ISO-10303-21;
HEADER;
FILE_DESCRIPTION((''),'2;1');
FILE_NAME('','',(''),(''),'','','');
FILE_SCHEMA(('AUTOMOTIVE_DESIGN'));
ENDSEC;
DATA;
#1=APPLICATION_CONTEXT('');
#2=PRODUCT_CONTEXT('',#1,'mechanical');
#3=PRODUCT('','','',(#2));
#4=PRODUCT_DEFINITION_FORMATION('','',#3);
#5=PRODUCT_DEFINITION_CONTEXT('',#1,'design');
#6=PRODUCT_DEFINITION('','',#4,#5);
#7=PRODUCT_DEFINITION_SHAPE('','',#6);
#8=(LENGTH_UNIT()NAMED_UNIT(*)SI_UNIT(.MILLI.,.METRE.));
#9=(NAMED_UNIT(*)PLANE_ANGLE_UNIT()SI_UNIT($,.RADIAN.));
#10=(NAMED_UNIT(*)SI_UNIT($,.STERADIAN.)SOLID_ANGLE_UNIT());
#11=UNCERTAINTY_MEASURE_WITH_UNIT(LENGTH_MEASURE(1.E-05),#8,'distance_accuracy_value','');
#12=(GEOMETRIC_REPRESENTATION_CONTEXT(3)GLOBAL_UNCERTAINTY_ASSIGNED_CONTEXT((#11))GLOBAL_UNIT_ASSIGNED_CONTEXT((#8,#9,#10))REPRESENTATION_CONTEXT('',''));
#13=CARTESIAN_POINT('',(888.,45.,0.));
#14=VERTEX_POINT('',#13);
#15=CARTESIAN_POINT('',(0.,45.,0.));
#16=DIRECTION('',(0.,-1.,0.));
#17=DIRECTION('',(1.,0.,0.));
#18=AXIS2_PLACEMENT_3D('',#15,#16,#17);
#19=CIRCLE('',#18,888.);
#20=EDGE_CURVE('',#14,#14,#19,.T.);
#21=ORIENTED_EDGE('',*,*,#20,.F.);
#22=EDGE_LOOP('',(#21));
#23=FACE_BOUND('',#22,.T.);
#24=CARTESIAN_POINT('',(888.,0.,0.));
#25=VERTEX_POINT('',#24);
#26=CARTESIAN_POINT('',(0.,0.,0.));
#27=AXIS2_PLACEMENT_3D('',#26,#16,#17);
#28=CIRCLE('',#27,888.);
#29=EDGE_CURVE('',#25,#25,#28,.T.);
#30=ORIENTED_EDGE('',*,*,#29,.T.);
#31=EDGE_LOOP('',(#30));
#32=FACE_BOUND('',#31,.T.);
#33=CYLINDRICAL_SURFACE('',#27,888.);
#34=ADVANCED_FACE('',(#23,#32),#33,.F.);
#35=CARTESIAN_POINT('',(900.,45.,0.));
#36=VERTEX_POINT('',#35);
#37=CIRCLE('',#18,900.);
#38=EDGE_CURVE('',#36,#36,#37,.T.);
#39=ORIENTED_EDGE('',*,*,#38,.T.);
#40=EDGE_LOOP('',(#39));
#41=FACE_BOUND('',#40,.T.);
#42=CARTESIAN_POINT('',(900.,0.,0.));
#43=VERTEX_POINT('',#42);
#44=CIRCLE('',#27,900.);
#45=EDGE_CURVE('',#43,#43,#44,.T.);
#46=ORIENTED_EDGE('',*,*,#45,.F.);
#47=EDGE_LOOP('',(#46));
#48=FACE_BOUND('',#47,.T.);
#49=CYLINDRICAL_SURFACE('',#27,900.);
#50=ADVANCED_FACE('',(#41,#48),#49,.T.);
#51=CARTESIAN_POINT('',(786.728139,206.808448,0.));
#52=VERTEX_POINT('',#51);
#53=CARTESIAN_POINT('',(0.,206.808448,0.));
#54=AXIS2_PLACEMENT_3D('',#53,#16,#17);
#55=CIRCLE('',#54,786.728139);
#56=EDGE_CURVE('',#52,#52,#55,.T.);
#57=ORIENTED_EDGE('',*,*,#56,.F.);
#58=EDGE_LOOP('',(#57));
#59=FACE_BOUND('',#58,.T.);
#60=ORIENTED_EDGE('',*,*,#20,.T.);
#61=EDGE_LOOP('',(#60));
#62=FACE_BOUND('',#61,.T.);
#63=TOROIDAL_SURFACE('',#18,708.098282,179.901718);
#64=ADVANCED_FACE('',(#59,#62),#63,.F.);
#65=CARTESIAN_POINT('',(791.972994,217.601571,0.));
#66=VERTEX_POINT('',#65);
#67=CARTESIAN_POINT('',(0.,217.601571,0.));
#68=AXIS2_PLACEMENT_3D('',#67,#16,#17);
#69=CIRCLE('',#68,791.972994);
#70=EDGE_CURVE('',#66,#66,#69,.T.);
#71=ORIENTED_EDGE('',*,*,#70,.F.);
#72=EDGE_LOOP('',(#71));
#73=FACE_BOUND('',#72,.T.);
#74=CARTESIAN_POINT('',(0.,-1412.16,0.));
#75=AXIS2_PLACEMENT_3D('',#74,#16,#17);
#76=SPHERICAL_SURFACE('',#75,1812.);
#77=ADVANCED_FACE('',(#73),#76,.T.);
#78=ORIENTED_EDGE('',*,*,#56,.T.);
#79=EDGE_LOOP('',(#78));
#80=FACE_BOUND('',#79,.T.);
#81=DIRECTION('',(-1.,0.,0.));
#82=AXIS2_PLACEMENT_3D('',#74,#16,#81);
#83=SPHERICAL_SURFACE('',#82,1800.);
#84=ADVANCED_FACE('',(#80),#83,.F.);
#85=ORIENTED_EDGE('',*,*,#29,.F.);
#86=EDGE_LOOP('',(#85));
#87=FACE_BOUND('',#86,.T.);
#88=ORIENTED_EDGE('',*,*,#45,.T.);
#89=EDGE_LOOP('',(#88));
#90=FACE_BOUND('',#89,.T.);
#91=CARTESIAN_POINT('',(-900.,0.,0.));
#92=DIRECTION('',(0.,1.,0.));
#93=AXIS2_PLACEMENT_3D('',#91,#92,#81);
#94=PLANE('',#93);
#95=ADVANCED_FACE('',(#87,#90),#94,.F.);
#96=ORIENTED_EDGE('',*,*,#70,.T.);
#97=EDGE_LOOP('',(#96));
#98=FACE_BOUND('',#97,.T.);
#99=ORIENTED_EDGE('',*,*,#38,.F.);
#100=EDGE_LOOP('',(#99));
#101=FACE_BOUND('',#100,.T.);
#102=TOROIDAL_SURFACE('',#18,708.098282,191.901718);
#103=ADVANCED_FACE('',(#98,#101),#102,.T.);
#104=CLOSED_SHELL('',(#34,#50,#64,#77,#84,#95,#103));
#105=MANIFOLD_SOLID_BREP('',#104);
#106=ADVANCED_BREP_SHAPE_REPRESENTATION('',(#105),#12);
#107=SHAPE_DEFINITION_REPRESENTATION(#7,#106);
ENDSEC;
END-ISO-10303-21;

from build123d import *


with BuildPart() as part:
    # Rotationsschnitt → Klöpperboden (revolve)
    with BuildSketch(Plane.XY, mode=Mode.PRIVATE) as kl_pperboden_sk:
        with BuildLine():
            Line((-900, 0), (-900, 45))
            ThreePointArc((-900, 45), (-870.766611209, 146.810039133), (-791.972993744, 217.601570654))
            ThreePointArc((-791.972993744, 217.601570654), (-406.334858199, 353.692763685), (0, 399.84))
            Line((0, 399.84), (0, 387.84))
            ThreePointArc((0, 387.84), (-403.643898873, 341.998374521), (-786.72813948, 206.80844767))
            ThreePointArc((-786.72813948, 206.80844767), (-860.594633743, 140.443652841), (-888, 45))
            Line((-888, 45), (-888, 0))
            Line((-888, 0), (-900, 0))
        make_face()
    revolve(kl_pperboden_sk.sketch.rotate(Axis((0, 0, 0), (0, 1, 0)), 180), axis=Axis((0, 0, 0), (0, 1, 0)))  # turned: the seam where the file's is


solid = part.part
